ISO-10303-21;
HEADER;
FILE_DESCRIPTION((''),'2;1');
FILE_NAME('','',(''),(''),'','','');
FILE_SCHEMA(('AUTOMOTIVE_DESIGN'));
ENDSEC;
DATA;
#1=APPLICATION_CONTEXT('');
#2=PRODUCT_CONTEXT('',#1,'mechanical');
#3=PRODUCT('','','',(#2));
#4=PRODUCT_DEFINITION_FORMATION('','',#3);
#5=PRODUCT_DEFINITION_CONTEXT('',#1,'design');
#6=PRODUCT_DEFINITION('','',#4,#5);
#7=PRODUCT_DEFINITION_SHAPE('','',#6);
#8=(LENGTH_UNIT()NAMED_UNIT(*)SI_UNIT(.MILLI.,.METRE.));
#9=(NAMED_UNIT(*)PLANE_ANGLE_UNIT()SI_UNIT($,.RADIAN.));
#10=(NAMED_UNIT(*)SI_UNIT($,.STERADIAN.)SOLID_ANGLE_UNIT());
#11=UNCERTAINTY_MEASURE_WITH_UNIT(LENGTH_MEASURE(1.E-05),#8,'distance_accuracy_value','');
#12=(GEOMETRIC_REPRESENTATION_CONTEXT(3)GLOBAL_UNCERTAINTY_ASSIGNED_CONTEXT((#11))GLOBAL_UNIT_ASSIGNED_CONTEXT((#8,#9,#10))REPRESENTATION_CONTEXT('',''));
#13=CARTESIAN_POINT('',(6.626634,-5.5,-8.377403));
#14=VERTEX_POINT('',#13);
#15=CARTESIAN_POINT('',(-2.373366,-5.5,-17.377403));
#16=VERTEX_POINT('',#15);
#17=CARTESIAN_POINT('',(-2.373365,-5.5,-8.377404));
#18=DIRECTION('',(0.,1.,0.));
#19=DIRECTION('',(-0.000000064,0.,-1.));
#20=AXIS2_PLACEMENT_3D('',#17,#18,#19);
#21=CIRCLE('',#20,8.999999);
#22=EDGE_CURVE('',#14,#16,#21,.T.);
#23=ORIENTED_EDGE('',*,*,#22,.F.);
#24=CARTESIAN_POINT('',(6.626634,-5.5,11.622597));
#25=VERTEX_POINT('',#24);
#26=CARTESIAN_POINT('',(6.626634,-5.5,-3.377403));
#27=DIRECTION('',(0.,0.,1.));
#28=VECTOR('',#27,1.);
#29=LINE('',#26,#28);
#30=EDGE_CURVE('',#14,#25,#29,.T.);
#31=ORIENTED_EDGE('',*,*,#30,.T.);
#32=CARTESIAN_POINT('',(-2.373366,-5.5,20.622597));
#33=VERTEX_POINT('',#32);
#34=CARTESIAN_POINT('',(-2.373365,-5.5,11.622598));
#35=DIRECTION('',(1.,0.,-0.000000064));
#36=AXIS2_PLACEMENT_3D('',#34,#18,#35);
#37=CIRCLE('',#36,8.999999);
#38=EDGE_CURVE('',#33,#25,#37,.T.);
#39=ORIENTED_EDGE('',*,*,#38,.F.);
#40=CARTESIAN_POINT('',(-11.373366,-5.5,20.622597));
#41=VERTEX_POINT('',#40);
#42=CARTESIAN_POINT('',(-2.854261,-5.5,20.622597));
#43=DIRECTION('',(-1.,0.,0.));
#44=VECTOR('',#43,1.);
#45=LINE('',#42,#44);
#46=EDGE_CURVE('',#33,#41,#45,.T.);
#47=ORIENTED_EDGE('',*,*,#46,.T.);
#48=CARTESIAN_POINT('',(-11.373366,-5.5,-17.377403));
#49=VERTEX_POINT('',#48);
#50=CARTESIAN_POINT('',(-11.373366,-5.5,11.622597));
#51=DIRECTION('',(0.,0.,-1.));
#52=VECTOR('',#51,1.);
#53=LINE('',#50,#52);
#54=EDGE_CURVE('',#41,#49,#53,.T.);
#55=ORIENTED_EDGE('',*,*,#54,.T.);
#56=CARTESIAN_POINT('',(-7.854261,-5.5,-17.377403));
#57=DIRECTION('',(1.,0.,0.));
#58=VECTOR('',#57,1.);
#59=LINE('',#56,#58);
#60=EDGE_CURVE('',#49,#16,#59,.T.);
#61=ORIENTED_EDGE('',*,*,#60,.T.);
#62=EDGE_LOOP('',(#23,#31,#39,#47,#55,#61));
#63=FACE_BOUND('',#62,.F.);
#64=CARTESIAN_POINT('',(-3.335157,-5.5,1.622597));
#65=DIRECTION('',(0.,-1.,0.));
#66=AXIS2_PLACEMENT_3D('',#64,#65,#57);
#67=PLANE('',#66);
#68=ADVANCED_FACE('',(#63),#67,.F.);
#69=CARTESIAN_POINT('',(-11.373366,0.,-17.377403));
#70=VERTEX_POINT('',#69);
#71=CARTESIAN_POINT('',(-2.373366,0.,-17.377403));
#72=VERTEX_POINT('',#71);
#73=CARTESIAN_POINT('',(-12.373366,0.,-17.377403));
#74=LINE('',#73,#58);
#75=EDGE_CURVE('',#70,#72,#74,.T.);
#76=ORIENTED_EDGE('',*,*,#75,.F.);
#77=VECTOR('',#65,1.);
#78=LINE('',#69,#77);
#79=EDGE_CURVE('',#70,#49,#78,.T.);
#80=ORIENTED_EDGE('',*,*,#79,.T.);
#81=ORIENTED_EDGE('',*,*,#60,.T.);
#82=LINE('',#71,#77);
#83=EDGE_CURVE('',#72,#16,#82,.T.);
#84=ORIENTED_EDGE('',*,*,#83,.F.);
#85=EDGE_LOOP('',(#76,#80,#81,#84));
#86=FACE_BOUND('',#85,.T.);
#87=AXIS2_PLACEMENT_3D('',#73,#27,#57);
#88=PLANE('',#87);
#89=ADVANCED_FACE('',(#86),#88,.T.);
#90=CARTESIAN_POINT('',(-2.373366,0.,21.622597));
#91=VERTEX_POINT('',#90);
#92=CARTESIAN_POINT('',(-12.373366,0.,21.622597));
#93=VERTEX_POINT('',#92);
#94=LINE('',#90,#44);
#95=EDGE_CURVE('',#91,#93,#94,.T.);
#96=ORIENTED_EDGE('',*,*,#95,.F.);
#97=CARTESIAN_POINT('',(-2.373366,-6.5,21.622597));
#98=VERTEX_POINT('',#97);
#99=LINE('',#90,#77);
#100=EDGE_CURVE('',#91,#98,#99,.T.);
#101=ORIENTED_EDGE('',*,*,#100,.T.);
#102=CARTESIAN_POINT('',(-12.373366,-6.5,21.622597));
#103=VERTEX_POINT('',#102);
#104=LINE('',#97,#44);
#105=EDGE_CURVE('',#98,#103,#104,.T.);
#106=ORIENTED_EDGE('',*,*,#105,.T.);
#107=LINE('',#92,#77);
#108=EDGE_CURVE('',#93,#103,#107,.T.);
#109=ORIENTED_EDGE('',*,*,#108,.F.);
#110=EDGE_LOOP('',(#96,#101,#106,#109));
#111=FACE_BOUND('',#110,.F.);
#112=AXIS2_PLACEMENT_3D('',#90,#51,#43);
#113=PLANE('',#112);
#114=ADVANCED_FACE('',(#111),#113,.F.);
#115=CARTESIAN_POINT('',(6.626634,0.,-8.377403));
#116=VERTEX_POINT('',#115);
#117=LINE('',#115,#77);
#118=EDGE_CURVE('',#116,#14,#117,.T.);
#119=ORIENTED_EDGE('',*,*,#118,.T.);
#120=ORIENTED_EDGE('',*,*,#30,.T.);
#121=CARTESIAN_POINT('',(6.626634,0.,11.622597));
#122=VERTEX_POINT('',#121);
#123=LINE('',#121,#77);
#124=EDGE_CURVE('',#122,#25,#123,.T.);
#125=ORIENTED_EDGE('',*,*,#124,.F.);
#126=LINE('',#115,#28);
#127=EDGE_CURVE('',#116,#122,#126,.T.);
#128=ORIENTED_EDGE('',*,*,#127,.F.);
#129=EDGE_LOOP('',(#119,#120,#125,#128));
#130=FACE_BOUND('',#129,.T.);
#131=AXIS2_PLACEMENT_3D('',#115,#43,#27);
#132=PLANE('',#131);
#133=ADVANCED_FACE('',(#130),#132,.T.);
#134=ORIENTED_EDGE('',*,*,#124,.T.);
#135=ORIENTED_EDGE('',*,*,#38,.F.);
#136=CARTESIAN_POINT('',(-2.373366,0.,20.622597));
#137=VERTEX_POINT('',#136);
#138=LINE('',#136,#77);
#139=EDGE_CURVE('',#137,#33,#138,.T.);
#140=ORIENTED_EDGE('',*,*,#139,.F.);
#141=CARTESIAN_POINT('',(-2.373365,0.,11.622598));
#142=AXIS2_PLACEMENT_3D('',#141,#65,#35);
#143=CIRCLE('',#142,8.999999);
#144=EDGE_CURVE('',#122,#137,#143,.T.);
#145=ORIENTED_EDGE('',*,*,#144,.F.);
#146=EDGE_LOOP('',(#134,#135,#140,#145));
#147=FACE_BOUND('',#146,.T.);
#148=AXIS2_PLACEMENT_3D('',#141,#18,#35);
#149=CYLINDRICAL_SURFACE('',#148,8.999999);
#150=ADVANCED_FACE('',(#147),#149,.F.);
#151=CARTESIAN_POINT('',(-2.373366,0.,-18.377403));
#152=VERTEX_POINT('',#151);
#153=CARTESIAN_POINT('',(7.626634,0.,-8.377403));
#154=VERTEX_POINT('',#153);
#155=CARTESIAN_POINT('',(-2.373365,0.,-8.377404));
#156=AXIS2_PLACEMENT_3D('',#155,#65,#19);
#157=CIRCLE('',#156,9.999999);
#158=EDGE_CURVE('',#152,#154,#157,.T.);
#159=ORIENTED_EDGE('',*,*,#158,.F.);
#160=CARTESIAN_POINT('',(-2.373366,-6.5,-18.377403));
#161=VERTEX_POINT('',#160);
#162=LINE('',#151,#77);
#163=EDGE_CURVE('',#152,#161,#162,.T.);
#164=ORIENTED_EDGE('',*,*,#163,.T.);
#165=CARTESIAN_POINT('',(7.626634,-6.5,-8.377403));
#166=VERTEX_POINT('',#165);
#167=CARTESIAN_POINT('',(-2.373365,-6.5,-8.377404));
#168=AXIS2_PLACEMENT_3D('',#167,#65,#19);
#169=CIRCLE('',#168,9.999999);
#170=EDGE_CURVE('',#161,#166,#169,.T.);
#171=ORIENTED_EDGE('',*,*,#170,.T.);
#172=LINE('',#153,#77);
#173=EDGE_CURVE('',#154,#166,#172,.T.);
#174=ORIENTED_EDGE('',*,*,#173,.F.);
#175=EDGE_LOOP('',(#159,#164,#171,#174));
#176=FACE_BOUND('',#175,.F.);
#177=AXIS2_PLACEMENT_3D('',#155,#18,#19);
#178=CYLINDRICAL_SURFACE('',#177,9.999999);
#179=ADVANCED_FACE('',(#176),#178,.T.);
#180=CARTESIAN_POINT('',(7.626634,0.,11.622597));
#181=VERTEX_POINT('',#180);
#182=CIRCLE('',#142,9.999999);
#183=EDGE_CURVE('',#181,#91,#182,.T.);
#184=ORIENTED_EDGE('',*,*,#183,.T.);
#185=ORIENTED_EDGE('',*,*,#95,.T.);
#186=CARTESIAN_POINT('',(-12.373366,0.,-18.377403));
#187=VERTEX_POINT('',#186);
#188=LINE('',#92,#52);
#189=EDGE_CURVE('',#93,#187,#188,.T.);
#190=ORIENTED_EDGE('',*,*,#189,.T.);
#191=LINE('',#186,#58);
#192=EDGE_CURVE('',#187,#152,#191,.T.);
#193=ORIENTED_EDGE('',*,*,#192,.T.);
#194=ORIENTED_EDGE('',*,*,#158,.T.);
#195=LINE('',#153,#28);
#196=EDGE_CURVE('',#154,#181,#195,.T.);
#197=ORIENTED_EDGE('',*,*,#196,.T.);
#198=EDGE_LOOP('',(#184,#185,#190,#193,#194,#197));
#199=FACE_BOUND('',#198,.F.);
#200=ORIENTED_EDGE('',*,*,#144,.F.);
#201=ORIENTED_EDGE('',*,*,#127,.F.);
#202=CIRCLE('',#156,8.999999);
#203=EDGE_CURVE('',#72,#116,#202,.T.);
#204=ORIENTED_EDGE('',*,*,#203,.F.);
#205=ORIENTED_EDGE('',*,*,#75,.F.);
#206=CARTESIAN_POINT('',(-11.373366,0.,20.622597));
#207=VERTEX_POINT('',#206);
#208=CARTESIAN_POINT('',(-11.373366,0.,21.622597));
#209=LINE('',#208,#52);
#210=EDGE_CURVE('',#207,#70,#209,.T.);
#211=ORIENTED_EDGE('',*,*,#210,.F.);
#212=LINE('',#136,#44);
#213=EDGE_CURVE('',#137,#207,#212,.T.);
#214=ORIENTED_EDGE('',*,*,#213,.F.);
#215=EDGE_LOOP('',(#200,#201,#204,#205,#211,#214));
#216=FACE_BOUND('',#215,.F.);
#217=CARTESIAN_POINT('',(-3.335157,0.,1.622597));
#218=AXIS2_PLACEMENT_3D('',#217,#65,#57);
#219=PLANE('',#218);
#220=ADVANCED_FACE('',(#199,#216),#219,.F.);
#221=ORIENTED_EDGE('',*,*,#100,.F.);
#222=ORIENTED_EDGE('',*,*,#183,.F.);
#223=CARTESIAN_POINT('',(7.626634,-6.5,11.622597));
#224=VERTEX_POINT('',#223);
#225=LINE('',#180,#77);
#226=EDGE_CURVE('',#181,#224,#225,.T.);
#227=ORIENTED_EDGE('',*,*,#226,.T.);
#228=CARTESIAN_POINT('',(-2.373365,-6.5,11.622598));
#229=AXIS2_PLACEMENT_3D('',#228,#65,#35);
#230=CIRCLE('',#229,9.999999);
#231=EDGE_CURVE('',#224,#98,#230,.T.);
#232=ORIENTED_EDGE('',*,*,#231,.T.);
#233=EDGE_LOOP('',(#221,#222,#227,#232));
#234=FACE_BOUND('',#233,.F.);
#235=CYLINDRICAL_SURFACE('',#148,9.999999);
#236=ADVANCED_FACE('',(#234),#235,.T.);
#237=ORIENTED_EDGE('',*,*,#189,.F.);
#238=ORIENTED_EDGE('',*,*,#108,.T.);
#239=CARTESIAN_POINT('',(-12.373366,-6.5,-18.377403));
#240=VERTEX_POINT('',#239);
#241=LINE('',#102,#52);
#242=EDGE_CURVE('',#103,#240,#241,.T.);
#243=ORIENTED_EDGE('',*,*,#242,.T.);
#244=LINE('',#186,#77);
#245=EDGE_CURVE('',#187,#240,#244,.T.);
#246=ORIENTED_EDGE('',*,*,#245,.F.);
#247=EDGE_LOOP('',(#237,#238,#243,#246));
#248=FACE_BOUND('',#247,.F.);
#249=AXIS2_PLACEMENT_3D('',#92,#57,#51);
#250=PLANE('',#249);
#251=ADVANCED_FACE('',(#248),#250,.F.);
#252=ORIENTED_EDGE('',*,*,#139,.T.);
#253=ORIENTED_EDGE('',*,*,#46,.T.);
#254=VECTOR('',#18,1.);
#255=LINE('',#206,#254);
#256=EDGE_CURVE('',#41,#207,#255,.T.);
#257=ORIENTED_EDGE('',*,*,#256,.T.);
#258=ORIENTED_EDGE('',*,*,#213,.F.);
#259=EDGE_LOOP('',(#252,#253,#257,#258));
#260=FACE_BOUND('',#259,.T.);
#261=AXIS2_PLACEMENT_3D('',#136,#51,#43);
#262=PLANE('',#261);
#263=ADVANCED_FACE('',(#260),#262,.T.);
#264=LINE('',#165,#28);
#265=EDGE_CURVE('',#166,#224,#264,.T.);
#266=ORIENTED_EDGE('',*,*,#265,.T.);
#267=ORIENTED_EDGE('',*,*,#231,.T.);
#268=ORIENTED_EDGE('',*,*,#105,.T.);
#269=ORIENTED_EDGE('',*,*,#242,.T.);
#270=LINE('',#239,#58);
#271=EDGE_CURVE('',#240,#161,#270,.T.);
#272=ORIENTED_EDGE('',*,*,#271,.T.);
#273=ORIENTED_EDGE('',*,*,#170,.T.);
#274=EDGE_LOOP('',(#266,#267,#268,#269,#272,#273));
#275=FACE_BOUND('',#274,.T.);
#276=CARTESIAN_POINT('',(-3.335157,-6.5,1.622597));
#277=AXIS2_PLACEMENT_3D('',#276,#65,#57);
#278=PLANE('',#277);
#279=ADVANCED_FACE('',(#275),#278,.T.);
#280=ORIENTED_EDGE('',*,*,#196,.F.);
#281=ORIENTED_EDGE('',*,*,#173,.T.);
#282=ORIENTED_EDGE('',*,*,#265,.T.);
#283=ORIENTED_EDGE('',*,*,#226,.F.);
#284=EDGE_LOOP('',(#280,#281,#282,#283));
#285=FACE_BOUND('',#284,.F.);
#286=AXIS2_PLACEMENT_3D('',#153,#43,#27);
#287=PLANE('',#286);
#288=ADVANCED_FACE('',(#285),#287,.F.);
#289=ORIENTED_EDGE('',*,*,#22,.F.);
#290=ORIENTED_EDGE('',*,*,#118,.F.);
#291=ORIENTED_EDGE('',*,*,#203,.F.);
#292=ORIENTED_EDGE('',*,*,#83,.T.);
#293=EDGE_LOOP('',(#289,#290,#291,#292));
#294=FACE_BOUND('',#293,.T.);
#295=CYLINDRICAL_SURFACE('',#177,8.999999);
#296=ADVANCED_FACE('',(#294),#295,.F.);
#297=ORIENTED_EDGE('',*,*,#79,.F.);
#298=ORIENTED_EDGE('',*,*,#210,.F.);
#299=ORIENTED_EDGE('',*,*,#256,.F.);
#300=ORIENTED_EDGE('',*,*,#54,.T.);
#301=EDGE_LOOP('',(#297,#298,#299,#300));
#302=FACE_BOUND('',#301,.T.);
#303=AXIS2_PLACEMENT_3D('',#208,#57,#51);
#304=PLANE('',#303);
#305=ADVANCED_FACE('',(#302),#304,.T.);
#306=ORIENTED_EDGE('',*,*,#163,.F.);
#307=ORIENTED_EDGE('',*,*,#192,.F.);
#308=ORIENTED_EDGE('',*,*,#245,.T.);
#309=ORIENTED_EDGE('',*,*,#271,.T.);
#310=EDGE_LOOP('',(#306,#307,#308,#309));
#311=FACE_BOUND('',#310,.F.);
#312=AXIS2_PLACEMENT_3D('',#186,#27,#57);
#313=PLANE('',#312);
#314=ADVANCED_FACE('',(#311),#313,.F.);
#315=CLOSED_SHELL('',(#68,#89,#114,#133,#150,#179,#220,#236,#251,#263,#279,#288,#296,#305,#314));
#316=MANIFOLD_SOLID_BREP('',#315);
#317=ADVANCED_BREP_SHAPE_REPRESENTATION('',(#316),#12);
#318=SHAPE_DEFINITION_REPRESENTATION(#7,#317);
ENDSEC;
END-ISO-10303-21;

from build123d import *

# Parameters (mm, degrees)
F1_DEPTH = 6.5
F2_T     = -1


with BuildPart() as f1:
    # F0 (on Front) → F1 (new body)
    with BuildSketch(Plane.XZ):
        with BuildLine():
            Line((-12.373366, 21.622597), (-12.373366, -18.377403))
            Line((-12.373366, -18.377403), (-2.373366, -18.377403))
            ThreePointArc((-2.373366, -18.377403), (4.697702, -15.448471), (7.626634, -8.377403))
            Line((7.626634, -8.377403), (7.626634, 11.622597))
            ThreePointArc((7.626634, 11.622597), (4.697702, 18.693665), (-2.373366, 21.622597))
            Line((-2.373366, 21.622597), (-12.373366, 21.622597))
        make_face()
    extrude(amount=F1_DEPTH)

    # F2
    f2_openings = [f1.faces().sort_by_distance(p)[0] for p in [
        (-2.813655, 0, 1.622597),
    ]]
    offset(amount=F2_T, openings=f2_openings)


solid = f1.part
